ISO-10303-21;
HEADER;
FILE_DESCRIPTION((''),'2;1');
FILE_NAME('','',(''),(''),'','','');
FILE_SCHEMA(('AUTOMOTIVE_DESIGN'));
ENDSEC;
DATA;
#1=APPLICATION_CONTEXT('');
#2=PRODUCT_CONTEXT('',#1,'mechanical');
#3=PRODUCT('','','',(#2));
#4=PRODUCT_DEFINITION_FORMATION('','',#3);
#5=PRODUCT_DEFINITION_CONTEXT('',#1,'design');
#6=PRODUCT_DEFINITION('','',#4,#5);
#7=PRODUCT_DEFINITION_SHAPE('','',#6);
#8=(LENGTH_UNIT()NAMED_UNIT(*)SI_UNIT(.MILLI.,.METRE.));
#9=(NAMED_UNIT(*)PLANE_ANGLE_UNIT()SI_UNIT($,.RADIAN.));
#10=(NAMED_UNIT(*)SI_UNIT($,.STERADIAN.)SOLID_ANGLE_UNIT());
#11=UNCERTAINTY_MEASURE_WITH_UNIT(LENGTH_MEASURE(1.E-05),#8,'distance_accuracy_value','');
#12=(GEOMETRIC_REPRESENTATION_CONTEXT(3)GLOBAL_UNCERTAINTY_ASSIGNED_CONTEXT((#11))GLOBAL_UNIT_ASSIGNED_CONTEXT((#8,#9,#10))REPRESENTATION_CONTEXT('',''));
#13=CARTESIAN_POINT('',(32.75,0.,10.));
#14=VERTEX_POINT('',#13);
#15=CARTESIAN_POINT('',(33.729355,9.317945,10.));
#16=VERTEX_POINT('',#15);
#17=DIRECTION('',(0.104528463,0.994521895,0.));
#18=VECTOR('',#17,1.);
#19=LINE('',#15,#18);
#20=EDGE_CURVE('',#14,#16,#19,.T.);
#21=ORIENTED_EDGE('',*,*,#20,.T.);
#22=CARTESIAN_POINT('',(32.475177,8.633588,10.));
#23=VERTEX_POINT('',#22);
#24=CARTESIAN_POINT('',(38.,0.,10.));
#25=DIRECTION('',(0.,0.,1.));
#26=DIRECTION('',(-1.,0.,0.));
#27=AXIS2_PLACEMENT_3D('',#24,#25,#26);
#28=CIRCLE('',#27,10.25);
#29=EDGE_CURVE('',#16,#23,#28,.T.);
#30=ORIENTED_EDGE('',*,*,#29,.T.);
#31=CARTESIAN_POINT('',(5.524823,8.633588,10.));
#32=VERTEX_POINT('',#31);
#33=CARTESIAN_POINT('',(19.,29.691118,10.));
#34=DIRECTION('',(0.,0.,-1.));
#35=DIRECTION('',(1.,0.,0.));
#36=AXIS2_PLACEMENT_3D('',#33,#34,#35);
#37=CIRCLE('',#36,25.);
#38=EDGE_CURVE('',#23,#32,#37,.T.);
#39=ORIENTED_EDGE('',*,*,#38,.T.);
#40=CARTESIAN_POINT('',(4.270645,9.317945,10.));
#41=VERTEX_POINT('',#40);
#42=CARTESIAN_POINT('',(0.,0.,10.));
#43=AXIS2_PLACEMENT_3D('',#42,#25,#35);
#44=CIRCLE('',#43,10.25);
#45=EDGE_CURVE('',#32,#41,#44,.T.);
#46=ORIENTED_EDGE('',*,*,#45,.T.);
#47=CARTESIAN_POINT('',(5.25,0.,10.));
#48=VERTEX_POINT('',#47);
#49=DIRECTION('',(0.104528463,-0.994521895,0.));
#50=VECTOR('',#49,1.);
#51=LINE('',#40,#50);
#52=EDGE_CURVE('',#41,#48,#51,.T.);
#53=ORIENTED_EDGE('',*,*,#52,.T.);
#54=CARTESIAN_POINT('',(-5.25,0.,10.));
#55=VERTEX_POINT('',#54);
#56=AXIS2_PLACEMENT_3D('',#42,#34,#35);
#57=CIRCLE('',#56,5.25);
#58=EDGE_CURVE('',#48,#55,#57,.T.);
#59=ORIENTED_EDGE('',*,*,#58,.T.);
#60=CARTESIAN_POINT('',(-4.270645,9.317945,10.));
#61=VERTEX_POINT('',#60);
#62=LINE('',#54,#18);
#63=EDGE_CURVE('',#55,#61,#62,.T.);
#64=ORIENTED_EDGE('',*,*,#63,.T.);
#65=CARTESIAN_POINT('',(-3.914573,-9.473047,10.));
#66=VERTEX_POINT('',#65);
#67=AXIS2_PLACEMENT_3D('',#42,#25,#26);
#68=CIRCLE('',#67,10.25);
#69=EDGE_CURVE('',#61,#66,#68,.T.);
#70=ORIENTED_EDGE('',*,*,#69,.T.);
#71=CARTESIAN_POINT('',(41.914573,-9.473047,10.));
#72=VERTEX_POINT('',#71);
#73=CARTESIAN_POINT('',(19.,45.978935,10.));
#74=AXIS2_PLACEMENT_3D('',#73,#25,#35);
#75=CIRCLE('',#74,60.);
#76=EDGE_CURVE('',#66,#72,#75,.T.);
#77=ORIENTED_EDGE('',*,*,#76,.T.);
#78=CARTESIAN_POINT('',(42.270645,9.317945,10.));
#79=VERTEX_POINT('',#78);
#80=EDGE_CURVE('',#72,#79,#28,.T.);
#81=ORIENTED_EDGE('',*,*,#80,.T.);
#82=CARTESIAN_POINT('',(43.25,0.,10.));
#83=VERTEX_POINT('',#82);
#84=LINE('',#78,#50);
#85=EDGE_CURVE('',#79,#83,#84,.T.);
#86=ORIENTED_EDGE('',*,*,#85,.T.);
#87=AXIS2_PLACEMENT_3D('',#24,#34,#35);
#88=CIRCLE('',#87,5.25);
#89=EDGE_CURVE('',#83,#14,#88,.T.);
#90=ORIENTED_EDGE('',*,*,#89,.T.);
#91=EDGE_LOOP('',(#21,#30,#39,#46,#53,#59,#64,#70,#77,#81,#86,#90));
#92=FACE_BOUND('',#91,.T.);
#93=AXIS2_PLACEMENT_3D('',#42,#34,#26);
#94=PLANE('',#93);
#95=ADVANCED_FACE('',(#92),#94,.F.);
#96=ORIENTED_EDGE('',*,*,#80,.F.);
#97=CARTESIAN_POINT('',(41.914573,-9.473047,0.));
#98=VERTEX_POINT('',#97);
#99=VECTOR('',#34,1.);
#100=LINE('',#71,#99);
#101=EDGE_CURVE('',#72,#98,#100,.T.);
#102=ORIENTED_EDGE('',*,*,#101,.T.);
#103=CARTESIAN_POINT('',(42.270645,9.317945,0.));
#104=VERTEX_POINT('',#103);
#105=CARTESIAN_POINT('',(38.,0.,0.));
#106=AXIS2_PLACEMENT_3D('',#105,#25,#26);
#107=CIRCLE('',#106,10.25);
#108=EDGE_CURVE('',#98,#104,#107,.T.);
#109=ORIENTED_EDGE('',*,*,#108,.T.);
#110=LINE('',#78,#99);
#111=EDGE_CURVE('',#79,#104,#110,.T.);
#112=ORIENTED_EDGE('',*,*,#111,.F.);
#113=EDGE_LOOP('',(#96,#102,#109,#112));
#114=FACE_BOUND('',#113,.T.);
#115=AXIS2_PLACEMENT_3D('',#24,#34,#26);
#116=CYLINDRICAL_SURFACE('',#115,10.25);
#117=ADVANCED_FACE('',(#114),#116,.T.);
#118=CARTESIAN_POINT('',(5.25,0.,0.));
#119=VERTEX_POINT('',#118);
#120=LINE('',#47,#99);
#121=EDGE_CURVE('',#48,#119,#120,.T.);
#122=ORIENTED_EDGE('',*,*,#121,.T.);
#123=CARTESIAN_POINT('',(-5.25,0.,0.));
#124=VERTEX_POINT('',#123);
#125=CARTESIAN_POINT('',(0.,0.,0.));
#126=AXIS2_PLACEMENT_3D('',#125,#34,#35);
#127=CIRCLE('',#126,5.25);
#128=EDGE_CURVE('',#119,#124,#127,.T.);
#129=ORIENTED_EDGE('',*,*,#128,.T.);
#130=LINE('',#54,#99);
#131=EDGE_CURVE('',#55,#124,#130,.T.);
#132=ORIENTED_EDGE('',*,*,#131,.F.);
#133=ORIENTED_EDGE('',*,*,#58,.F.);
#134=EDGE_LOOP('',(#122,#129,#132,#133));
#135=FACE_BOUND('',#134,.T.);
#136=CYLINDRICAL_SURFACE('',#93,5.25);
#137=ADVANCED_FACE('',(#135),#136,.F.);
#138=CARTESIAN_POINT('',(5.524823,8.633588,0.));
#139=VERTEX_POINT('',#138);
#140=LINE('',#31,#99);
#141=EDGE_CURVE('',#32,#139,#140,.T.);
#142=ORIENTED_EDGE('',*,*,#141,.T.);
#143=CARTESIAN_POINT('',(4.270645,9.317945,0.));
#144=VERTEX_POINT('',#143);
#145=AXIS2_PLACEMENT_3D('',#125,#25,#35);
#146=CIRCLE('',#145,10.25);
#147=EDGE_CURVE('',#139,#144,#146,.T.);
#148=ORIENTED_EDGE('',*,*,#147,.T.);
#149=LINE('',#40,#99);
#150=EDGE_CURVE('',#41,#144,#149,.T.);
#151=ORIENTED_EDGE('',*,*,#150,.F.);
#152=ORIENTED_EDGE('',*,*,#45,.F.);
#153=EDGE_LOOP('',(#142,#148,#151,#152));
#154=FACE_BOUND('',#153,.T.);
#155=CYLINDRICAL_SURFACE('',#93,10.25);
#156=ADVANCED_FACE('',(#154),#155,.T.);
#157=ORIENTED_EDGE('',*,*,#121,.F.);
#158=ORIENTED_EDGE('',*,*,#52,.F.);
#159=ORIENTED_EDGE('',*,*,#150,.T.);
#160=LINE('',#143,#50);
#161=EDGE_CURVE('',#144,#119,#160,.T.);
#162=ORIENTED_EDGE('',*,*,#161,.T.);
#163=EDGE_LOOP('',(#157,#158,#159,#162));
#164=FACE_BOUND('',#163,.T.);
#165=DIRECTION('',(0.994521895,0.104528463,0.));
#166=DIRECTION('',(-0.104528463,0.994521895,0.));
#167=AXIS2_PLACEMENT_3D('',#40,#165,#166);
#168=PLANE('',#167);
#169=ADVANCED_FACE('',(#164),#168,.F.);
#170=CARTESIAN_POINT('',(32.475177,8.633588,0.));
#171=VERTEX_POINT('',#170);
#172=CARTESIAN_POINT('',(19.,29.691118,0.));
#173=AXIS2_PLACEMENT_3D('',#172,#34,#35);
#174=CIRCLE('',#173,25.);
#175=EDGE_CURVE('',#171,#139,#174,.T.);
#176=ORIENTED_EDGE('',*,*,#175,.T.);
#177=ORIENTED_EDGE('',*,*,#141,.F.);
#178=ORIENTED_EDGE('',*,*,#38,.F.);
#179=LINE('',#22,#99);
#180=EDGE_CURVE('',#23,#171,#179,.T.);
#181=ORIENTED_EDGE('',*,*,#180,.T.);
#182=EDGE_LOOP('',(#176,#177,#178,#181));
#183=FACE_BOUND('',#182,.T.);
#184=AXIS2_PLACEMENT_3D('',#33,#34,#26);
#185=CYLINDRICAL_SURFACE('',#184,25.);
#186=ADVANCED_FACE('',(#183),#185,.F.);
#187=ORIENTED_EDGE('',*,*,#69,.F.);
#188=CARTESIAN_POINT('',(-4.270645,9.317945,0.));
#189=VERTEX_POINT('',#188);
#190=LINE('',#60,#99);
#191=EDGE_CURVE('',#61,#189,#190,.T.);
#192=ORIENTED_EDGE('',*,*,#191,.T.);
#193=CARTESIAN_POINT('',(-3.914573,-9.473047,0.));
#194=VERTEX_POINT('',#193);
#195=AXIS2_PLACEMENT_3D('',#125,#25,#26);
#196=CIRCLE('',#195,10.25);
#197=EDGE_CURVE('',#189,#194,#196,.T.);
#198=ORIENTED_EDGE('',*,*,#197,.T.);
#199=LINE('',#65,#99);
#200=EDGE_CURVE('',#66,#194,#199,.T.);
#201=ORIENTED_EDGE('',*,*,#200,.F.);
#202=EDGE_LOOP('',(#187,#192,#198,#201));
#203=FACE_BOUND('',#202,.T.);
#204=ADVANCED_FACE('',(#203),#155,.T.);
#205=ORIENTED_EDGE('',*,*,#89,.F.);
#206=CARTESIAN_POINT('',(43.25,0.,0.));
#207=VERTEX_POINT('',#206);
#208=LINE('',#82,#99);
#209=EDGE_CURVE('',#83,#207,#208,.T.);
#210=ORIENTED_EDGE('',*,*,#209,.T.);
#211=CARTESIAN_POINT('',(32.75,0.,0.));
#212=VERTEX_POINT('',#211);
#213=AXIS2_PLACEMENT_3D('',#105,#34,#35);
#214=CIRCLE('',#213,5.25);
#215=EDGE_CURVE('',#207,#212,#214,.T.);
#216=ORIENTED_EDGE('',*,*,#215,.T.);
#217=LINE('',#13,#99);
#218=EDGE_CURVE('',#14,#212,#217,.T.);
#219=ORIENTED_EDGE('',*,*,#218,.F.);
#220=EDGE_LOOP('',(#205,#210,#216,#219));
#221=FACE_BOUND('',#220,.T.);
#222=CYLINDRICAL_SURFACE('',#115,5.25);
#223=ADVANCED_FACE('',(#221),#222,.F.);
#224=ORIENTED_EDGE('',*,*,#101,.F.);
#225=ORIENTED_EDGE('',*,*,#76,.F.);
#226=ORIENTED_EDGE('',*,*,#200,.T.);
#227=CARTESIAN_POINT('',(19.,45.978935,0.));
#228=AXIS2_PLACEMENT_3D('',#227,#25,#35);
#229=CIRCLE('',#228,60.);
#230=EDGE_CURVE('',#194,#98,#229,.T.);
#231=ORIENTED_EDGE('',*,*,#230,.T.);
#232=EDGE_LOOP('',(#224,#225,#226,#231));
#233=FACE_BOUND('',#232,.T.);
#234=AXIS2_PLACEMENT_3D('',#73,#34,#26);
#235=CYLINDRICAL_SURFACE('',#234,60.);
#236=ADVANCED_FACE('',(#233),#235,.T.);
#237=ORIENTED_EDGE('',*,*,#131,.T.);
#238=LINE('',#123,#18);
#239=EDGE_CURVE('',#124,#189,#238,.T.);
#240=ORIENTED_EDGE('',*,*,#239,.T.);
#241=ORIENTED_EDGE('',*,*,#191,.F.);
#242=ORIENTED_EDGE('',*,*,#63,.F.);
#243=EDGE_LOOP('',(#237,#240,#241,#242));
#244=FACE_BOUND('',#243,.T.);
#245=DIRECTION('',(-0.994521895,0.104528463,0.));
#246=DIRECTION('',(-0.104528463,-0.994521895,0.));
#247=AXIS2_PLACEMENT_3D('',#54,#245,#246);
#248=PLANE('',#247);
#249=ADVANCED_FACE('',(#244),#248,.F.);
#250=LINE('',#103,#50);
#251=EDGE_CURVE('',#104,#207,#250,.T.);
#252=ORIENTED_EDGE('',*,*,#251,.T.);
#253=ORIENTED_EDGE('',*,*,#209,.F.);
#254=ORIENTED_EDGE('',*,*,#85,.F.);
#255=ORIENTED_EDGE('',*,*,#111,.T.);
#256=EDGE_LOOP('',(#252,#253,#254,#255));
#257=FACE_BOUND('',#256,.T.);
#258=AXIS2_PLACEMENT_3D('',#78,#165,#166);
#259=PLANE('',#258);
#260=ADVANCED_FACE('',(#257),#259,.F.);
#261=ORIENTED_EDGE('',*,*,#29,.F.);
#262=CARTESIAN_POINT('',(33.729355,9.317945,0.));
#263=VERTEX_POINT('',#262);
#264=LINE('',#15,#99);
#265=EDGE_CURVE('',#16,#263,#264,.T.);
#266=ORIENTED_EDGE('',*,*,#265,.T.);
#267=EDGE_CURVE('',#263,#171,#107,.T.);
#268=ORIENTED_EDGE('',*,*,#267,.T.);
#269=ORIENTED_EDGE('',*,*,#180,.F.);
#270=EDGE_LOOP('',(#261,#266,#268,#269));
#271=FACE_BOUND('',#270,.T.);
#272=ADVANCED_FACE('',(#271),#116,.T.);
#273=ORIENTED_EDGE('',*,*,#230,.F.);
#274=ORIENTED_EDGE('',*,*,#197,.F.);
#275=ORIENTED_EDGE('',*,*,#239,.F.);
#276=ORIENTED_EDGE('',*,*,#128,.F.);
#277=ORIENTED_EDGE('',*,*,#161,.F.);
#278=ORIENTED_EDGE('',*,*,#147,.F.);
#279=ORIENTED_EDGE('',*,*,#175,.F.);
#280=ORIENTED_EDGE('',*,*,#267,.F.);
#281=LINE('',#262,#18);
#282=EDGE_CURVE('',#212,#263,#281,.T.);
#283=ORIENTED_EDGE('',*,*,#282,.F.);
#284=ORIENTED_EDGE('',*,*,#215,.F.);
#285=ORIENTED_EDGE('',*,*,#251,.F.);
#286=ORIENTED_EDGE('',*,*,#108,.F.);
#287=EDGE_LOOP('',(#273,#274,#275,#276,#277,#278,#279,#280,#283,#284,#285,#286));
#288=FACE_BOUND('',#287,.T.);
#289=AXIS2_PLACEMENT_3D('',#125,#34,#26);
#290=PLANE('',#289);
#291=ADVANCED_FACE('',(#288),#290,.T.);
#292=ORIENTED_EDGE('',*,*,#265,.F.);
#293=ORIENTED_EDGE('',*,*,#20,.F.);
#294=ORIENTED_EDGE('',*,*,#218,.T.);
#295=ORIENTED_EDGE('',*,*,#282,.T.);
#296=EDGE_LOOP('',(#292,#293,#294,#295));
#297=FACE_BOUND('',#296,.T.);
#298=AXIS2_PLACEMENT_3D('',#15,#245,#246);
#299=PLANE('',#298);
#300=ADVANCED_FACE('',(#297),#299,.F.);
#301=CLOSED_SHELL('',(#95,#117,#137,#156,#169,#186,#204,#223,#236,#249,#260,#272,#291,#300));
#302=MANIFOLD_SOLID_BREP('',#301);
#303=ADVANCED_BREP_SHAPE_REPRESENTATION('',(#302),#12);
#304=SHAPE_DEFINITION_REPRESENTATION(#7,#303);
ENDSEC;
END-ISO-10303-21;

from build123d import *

# Parameters (mm, degrees)
BOSS_EXTRUDE1_DEPTH = 10


with BuildPart() as part:
    # Sketch1 → Boss-Extrude1 (new body)
    with BuildSketch(Plane.XY):
        with BuildLine():
            Line((-5.25, 0), (-4.270644538, 9.317944797))
            ThreePointArc((-4.270644538, 9.317944797), (-10.248160277, -0.194193027), (-3.914572864, -9.473046991))
            ThreePointArc((-3.914572864, -9.473046991), (19, -14.021064606), (41.914572864, -9.473046991))
            ThreePointArc((41.914572864, -9.473046991), (48.248160277, -0.194193027), (42.270644538, 9.317944797))
            Line((42.270644538, 9.317944797), (43.25, 0))
            ThreePointArc((43.25, 0), (38, -5.25), (32.75, 0))
            Line((32.75, 0), (33.729355462, 9.317944797))
            ThreePointArc((33.729355462, 9.317944797), (33.090327833, 8.997645204), (32.475177305, 8.633587562))
            ThreePointArc((32.475177305, 8.633587562), (19, 4.691118201), (5.524822695, 8.633587562))
            ThreePointArc((5.524822695, 8.633587562), (4.909672167, 8.997645204), (4.270644538, 9.317944797))
            Line((4.270644538, 9.317944797), (5.25, 0))
            ThreePointArc((5.25, 0), (0, -5.25), (-5.25, 0))
        make_face()
    extrude(amount=BOSS_EXTRUDE1_DEPTH)


solid = part.part
